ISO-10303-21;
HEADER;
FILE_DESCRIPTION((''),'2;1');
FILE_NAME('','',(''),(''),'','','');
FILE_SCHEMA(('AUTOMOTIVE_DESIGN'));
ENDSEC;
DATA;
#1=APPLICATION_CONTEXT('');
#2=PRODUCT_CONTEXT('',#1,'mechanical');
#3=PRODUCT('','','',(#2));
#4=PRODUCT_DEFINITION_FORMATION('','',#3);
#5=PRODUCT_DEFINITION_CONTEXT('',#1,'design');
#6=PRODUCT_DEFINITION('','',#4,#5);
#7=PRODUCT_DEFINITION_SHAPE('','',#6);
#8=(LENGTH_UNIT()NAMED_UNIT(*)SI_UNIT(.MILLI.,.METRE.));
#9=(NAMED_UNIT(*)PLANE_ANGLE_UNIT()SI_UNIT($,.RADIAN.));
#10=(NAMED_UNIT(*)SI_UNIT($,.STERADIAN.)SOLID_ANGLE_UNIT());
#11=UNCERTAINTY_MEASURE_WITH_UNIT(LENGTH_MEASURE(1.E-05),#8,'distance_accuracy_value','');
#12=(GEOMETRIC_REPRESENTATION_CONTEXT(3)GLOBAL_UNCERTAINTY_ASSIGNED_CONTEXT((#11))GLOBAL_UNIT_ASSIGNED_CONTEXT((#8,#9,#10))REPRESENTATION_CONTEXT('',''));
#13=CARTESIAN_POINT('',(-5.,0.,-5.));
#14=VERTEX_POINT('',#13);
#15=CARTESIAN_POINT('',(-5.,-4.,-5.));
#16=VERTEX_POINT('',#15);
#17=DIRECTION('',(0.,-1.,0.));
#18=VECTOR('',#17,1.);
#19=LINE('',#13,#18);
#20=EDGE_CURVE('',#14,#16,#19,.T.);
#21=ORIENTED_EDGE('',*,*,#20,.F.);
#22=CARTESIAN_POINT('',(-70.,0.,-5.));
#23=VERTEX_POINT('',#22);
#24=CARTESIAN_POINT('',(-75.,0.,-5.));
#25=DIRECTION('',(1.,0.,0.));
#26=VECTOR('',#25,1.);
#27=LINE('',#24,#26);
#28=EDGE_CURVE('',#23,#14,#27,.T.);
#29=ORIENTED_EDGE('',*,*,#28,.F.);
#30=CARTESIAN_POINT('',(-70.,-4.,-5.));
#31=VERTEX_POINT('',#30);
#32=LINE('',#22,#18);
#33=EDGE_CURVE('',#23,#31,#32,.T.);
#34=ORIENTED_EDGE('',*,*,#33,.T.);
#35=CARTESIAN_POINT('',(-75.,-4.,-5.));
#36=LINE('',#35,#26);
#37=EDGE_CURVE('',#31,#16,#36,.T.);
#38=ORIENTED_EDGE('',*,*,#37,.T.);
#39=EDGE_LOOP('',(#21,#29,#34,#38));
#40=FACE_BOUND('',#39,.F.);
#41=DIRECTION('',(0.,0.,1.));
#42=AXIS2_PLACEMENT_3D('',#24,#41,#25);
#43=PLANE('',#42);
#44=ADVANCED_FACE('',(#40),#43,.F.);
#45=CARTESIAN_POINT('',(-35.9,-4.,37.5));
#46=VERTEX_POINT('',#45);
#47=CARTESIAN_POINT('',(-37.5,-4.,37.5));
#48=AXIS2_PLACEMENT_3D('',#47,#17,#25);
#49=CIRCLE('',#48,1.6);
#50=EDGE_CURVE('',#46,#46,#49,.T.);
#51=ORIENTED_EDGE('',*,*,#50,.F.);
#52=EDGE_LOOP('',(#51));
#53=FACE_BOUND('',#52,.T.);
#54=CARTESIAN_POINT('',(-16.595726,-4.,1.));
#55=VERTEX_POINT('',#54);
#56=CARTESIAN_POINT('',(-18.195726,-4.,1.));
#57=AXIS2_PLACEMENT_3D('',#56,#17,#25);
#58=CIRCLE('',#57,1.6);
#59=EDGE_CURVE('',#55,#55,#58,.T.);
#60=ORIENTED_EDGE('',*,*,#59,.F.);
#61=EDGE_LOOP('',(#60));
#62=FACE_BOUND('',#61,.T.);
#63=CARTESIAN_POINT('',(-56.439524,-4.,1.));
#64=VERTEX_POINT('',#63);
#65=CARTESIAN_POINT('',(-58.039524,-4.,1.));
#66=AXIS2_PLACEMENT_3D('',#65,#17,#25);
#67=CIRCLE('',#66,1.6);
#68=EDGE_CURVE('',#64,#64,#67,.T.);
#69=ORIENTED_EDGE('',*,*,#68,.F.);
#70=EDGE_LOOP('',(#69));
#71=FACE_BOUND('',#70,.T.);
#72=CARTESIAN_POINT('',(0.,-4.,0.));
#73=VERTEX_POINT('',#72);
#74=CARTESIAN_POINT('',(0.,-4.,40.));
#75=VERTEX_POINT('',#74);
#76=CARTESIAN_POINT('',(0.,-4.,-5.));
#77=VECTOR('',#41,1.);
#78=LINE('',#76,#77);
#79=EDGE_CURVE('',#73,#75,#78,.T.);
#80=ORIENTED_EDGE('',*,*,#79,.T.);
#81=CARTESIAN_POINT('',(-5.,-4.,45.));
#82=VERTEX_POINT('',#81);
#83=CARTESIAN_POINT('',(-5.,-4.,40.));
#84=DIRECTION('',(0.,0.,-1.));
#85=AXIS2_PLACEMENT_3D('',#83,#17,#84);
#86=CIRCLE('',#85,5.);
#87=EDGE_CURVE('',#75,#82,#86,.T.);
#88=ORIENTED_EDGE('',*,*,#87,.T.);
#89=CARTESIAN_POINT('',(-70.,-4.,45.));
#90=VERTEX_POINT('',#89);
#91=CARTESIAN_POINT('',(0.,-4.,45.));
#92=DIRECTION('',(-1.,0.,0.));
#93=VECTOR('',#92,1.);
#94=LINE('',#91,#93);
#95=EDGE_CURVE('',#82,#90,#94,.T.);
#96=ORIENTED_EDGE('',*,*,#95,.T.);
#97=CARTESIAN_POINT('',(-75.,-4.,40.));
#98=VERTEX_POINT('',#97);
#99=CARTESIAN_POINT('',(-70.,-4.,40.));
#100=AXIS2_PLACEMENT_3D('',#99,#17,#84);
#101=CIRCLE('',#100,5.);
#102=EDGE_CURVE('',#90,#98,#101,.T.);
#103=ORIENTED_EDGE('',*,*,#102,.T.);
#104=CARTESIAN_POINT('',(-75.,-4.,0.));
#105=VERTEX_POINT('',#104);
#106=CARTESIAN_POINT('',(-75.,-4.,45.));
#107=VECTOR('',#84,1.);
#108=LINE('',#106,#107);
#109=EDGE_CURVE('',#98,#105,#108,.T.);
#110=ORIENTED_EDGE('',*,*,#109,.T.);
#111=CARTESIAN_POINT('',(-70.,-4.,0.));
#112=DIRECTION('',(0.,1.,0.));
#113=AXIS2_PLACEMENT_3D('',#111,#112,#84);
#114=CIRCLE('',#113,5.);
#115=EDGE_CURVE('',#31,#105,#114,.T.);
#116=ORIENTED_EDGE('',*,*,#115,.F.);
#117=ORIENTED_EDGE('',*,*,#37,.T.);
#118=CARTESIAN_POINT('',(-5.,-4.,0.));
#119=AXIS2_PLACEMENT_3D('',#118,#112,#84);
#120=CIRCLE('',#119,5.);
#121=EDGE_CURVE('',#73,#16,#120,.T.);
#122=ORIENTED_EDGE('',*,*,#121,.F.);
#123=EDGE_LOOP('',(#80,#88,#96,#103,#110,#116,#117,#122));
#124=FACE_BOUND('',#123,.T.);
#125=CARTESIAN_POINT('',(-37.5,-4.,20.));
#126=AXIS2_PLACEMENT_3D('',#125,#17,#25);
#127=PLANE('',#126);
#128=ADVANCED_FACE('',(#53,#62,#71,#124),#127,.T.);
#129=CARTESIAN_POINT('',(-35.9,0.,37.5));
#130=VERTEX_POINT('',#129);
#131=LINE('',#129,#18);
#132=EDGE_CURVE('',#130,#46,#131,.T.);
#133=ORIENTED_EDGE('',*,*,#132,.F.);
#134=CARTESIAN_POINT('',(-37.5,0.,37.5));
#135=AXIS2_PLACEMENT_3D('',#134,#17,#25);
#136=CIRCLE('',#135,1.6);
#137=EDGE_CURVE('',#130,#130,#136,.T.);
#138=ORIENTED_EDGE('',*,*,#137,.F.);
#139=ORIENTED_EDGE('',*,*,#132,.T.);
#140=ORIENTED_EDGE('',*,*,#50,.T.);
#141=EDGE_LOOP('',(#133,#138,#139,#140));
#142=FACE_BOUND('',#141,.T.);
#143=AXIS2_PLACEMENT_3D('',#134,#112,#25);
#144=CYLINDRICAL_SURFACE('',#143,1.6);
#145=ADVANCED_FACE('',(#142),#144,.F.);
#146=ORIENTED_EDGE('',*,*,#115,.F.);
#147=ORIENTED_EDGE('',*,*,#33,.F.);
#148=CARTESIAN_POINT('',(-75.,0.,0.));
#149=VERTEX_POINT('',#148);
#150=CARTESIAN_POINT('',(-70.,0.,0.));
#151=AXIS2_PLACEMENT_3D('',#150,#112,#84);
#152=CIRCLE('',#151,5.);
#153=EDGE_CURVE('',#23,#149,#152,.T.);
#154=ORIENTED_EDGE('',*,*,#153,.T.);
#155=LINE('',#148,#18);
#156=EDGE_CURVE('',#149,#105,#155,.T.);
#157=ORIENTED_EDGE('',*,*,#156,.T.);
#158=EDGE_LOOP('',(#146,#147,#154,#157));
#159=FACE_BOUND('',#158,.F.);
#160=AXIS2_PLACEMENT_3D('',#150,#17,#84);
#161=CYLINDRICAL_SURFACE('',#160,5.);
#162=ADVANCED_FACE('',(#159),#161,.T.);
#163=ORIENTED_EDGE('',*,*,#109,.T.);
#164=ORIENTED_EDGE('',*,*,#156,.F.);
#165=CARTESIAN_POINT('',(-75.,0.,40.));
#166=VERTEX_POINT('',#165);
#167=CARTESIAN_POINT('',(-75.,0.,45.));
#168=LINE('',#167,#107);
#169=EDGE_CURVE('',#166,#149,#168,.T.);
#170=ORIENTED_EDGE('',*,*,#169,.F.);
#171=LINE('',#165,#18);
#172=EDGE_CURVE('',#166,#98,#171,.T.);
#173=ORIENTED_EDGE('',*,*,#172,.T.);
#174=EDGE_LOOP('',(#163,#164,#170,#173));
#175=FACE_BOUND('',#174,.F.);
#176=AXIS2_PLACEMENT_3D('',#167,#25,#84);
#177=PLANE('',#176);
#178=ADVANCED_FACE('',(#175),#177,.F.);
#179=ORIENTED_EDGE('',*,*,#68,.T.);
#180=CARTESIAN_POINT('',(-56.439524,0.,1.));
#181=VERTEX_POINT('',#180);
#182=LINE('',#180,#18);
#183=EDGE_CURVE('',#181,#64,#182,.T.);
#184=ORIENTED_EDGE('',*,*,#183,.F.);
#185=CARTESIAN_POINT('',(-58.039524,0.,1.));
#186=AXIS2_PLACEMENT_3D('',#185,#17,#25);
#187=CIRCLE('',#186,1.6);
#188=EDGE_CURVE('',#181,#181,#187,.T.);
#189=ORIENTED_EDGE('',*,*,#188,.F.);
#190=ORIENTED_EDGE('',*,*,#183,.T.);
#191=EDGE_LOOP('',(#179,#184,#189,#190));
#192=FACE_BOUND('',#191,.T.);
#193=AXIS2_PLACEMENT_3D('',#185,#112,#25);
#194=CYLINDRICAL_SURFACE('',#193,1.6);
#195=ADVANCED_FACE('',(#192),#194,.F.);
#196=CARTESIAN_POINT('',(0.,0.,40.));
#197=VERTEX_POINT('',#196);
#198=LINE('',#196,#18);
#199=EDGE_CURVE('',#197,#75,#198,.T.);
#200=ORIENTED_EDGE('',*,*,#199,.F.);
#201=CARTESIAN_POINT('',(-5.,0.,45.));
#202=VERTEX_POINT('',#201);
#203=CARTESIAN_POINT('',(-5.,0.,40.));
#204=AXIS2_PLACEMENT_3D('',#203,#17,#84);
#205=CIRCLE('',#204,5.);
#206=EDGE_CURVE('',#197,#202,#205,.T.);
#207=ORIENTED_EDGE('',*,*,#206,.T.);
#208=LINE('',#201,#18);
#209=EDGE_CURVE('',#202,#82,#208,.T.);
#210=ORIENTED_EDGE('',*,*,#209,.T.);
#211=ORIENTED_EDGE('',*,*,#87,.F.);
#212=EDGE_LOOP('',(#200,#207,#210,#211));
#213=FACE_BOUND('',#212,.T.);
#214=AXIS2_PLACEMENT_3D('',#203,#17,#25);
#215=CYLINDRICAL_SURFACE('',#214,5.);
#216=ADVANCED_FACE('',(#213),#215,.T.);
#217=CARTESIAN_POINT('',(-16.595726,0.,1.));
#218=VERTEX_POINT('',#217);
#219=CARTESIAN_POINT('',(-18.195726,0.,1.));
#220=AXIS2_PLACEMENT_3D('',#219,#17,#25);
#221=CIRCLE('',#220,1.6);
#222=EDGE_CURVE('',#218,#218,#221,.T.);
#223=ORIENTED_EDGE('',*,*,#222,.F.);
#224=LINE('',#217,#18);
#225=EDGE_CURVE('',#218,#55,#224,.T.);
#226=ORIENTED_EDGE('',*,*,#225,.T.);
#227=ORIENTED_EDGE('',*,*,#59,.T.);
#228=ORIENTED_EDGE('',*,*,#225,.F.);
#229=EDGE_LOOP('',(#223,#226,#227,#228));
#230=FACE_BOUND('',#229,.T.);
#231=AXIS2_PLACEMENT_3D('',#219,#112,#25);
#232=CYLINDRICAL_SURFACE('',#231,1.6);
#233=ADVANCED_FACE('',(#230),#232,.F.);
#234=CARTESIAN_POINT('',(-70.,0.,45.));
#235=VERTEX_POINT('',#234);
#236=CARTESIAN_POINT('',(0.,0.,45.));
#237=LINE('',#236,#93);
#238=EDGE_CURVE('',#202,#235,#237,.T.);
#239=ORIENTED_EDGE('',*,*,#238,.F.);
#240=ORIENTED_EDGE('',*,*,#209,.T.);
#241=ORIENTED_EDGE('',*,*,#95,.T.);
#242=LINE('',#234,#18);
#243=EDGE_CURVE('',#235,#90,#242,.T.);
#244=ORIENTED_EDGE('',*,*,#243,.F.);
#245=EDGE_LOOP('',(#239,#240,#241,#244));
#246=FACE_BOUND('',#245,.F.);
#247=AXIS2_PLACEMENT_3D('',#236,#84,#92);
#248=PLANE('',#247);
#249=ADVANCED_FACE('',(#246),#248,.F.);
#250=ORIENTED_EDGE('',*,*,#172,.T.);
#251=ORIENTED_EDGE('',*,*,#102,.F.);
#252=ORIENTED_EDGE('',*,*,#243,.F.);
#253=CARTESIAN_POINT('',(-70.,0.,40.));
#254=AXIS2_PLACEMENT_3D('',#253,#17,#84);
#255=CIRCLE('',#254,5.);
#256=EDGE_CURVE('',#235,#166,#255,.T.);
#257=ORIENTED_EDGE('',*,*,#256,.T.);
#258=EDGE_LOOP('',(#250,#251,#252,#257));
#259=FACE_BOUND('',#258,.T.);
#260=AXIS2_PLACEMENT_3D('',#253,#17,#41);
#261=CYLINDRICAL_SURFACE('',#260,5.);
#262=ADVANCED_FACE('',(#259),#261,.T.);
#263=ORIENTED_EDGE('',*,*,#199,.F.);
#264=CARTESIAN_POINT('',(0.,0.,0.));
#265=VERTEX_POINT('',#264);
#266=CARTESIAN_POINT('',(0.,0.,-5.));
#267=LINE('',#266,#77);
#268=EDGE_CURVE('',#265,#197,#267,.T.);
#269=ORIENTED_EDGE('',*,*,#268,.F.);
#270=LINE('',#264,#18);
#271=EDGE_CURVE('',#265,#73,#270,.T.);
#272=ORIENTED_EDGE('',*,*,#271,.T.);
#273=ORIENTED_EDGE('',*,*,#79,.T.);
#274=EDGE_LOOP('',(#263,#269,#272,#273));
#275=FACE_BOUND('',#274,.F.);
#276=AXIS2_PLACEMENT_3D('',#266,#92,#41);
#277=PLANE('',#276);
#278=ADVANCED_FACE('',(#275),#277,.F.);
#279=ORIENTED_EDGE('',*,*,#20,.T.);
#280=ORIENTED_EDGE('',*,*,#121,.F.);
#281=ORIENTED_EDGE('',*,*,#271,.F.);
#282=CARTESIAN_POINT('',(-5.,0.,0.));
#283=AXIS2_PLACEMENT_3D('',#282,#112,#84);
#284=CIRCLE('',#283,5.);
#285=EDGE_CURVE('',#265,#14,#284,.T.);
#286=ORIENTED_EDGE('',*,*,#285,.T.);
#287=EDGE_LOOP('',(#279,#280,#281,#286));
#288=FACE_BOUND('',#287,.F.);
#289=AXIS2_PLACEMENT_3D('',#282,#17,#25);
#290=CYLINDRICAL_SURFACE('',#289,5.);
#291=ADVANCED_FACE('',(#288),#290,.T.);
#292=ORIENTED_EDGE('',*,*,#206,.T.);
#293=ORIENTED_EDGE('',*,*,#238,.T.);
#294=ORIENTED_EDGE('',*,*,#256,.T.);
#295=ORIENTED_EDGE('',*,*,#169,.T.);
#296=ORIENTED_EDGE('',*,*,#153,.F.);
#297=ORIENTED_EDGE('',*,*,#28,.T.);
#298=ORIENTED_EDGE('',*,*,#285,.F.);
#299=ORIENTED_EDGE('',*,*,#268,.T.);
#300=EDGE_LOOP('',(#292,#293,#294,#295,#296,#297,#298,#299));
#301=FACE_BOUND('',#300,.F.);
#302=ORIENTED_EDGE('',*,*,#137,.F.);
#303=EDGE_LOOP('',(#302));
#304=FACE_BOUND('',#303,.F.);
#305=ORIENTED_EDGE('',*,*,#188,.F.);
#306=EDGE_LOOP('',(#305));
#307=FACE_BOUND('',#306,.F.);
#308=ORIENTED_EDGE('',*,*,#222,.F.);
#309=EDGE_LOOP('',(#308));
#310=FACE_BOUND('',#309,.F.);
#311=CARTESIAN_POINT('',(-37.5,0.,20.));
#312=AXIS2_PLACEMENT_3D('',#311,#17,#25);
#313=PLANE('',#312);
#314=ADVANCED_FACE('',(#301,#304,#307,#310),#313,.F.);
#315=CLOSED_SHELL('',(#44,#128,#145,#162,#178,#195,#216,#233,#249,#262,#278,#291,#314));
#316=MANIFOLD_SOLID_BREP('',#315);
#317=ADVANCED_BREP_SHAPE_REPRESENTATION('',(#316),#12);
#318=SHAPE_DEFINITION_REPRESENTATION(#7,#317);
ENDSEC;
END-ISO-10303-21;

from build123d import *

# Parameters (mm, degrees)
F0_R     = 1.6
F1_DEPTH = 4
F2_R     = 5


with BuildPart() as f1:
    # F0 (on Front) → F1 (new body)
    with BuildSketch(Plane.XZ):
        Polygon((0, -5), (0, 0), (0, 40), (0, 45), (-75, 45), (-75, 40), (-75, 0), (-75, -5), align=None)
        with Locations((-58.039524, 1)):
            Circle(F0_R, mode=Mode.SUBTRACT)
        with Locations((-18.195726, 1)):
            Circle(F0_R, mode=Mode.SUBTRACT)
        with Locations((-37.5, 37.5)):
            Circle(F0_R, mode=Mode.SUBTRACT)
    extrude(amount=F1_DEPTH)

    # F2
    f2_edges = [f1.edges().sort_by_distance(p)[0] for p in [
        (-75, -2, 45),
        (0, -2, 45),
        (0, -2, -5),
        (-75, -2, -5),
    ]]
    fillet(f2_edges, radius=F2_R)


solid = f1.part
